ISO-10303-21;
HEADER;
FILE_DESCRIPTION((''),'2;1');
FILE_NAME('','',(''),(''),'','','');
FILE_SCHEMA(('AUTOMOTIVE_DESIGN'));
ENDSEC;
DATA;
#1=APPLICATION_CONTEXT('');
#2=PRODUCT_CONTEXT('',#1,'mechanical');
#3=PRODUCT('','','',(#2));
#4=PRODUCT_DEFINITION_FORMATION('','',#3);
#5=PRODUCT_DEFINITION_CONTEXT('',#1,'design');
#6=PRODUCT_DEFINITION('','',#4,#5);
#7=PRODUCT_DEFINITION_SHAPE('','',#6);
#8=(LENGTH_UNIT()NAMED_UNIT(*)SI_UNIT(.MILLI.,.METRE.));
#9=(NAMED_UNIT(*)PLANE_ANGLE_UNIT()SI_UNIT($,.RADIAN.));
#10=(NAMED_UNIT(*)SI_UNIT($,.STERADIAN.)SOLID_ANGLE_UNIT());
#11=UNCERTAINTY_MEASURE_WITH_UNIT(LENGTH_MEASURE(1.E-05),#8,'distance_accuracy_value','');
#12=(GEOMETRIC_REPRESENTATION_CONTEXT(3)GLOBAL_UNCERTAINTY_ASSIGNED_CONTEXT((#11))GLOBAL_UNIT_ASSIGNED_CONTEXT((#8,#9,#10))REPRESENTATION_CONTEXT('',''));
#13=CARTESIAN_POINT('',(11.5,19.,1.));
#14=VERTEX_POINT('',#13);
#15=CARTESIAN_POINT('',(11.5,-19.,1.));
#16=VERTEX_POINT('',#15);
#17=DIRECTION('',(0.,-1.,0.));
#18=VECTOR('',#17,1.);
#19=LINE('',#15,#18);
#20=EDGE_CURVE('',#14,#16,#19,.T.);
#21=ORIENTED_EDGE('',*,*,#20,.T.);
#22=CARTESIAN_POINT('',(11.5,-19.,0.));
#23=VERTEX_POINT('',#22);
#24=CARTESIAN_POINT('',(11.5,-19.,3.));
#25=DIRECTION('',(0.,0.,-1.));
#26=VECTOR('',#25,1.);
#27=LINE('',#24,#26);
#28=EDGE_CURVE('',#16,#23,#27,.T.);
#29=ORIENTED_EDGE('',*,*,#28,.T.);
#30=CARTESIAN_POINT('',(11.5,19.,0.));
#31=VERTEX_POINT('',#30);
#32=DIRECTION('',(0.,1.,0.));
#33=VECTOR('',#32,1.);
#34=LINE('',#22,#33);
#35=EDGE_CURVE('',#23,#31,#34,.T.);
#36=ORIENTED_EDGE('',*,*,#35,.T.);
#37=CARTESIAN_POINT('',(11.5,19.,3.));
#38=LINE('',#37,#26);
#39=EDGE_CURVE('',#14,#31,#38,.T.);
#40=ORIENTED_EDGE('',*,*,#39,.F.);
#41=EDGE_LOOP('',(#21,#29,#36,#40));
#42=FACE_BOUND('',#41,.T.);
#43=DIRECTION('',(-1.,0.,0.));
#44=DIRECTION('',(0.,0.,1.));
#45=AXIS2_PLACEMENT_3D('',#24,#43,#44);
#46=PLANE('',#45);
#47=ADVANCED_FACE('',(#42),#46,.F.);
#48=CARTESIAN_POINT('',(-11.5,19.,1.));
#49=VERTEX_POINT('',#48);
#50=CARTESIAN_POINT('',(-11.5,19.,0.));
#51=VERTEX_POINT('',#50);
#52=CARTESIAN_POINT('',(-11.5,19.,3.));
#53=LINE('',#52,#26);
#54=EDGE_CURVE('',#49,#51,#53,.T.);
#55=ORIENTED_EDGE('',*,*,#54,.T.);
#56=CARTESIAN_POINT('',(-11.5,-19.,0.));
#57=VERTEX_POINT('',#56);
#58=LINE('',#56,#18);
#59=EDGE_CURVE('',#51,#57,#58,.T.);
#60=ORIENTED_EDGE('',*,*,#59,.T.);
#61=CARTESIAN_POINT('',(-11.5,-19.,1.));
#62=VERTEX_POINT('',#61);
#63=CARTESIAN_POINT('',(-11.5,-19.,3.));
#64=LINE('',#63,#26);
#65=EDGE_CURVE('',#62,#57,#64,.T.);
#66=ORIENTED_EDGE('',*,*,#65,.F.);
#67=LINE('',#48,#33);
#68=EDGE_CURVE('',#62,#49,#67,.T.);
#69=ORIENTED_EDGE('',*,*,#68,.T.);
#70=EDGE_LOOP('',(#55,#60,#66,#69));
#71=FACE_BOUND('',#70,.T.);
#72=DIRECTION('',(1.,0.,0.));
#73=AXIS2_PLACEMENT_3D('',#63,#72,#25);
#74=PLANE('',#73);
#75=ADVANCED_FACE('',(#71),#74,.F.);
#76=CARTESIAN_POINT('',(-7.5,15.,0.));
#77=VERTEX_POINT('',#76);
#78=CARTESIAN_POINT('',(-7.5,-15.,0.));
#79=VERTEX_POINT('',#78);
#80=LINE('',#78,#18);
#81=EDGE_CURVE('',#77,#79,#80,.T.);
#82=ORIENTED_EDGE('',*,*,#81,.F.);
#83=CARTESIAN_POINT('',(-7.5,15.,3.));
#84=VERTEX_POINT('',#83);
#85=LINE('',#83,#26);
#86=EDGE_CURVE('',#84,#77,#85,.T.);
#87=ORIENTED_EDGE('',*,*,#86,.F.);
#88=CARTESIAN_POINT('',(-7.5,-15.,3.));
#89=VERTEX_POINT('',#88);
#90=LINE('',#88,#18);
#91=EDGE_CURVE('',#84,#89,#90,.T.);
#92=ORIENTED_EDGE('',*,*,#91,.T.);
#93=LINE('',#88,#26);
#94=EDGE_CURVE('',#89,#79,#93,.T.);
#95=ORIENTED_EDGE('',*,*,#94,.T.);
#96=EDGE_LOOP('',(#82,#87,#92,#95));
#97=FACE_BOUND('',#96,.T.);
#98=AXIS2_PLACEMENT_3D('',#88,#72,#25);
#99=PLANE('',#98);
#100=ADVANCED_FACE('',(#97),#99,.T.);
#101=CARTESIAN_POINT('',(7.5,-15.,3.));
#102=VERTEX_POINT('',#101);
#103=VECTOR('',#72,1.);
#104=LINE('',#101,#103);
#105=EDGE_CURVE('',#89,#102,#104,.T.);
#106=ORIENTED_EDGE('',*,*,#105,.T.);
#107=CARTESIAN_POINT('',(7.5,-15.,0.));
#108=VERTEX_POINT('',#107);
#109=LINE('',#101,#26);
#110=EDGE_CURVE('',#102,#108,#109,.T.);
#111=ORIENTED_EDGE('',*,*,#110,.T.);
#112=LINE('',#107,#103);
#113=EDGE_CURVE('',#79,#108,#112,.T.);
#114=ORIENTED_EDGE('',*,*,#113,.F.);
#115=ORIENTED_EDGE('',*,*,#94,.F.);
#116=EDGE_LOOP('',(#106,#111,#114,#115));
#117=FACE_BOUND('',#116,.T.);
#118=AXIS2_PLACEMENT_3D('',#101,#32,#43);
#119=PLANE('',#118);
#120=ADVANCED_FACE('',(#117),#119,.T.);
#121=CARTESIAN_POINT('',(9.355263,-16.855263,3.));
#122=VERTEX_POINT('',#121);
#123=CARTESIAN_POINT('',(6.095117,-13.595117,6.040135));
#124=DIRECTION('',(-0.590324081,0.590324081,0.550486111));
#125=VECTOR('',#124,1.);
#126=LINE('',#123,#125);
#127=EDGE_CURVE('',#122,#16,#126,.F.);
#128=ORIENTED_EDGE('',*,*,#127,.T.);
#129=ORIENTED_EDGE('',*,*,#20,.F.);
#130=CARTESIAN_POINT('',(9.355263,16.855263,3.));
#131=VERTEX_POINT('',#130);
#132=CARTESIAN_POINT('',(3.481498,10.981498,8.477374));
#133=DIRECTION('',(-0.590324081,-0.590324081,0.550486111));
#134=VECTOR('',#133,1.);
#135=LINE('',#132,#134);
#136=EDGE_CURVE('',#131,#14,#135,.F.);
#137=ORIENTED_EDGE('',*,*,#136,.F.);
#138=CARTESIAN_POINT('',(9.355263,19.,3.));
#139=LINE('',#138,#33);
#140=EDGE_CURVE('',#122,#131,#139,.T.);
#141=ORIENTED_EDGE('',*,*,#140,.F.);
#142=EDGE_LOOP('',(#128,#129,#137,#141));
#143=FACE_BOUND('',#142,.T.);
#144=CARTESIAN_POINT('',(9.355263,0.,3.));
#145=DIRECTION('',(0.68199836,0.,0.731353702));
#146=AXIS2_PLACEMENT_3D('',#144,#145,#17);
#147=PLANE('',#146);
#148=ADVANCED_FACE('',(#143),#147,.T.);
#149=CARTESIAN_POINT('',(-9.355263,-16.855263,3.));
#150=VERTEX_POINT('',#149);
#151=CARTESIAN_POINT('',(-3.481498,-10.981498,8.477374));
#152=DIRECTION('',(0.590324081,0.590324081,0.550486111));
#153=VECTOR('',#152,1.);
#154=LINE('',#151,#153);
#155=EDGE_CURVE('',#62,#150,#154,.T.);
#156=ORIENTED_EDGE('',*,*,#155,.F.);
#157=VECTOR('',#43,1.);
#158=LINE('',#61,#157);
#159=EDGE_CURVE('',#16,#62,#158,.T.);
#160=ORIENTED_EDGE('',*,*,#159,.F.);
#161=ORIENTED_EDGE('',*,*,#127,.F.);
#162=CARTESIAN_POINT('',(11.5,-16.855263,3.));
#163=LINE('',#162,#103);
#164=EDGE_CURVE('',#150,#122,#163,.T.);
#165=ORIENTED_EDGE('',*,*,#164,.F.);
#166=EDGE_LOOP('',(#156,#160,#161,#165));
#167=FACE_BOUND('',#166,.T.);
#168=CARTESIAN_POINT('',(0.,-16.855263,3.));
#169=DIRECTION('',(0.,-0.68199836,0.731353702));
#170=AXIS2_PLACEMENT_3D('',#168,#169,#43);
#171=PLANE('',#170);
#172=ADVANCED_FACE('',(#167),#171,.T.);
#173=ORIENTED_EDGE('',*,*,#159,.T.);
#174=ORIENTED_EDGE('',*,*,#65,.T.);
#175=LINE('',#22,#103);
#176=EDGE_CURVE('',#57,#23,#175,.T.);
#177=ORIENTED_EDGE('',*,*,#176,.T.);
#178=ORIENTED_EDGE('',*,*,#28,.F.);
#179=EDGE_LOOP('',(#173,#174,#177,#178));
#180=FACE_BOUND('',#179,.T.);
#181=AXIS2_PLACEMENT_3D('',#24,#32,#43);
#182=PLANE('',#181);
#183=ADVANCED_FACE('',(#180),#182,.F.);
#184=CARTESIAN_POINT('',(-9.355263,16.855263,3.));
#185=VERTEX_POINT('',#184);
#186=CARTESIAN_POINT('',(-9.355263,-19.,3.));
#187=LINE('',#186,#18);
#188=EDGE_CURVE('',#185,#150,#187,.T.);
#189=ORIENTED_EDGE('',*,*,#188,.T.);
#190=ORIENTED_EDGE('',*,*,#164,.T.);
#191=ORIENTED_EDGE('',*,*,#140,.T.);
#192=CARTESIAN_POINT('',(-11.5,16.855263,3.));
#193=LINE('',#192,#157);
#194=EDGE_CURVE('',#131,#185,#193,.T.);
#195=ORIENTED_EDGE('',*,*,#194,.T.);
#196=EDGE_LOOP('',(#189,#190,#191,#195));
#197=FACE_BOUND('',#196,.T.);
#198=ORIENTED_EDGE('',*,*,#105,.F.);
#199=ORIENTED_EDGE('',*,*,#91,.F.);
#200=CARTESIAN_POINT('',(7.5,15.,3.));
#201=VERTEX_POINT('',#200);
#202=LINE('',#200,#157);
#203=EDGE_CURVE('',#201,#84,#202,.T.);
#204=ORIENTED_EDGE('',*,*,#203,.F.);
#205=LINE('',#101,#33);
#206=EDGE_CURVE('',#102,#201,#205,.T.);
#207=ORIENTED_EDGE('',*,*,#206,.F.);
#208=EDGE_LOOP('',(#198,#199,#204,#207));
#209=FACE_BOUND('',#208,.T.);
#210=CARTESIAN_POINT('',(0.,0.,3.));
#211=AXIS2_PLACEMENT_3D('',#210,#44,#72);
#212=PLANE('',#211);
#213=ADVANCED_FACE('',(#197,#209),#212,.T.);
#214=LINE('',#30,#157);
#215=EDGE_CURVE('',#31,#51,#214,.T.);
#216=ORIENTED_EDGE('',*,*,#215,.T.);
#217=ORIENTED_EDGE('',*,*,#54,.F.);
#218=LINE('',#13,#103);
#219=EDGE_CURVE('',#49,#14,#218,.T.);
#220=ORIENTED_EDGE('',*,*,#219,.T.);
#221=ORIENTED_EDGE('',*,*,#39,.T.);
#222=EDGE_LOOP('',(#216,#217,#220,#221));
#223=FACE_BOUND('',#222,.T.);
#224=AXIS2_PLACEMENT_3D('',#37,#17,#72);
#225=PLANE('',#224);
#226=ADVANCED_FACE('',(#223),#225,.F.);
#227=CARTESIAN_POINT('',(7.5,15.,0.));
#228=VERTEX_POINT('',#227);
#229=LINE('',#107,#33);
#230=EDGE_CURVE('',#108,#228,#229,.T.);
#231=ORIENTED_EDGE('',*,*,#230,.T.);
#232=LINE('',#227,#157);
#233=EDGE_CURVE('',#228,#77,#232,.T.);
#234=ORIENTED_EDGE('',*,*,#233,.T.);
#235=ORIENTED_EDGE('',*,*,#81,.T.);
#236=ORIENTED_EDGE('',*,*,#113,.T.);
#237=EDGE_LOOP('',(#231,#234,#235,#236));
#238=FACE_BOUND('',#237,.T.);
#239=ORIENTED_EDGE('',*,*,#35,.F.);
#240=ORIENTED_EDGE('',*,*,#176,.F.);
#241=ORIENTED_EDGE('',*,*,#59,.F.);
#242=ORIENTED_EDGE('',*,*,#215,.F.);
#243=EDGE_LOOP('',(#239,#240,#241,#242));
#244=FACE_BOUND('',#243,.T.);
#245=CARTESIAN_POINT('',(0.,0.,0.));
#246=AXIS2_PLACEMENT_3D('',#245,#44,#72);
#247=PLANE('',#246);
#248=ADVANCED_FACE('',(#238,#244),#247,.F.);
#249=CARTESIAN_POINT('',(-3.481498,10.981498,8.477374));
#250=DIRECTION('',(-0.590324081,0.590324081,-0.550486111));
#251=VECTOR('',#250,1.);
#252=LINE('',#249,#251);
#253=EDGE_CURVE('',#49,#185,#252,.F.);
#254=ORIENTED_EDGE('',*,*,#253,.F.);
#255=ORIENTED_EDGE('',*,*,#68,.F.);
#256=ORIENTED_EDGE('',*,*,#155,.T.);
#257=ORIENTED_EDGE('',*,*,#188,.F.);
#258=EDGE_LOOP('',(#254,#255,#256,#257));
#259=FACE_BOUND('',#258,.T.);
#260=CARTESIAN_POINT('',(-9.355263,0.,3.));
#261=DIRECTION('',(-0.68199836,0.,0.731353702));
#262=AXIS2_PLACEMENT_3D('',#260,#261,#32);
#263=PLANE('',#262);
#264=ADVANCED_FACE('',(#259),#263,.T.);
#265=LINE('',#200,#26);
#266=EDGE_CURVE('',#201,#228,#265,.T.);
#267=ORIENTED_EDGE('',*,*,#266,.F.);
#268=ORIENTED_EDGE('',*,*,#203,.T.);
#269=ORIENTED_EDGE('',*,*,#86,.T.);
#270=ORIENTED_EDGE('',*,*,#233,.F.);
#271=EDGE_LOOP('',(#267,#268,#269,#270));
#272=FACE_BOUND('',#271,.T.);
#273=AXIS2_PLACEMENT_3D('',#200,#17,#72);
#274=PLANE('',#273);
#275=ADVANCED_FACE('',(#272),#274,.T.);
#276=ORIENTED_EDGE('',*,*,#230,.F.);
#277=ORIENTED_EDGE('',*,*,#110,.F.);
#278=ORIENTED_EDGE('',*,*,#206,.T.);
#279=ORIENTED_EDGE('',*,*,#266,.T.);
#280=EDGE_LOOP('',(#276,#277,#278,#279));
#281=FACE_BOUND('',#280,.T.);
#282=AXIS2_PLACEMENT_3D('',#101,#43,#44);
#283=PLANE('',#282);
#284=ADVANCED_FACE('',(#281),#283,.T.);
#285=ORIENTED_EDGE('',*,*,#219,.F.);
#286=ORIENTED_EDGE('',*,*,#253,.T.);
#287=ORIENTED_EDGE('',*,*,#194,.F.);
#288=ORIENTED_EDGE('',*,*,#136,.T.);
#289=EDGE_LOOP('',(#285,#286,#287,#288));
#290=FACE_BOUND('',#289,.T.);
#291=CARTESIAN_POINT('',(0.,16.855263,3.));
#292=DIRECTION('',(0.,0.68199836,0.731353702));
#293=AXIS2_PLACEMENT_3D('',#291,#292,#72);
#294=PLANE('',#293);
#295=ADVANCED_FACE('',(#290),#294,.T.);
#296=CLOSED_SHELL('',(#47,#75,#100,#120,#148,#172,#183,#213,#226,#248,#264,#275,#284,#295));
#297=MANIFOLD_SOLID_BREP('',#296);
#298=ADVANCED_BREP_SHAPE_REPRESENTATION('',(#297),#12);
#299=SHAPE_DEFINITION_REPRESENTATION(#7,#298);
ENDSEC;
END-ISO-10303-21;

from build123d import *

# Parameters (mm, degrees)
ESBO_O1_W                = 23
ESBO_O1_H                = 38
ESBO_O1_W_2              = 15
ESBO_O1_H_2              = 30
RESSALTO_EXTRUS_O1_DEPTH = 3
CHANFRO1_SIZE            = 2
CHANFRO1_SIZE2           = 2.14473742
CHANFRO1_PART_2_SIZE     = 2
CHANFRO1_PART_2_SIZE2    = 2.14473742
CHANFRO1_PART_3_SIZE     = 2
CHANFRO1_PART_3_SIZE2    = 2.14473742
CHANFRO1_PART_4_SIZE     = 2
CHANFRO1_PART_4_SIZE2    = 2.14473742


with BuildPart() as part:
    # Esboço1 → Ressalto-extrusão1 (new body)
    with BuildSketch(Plane.XY):
        Rectangle(ESBO_O1_W, ESBO_O1_H)
        Rectangle(ESBO_O1_W_2, ESBO_O1_H_2, mode=Mode.SUBTRACT)
    extrude(amount=RESSALTO_EXTRUS_O1_DEPTH)

    # Chanfro1
    chanfro1_edges = [part.edges().sort_by_distance(p)[0] for p in [
        (11.5, 0, 3),
    ]]
    chanfro1_side = [part.faces().sort_by_distance(p)[0] for p in [
        (11.5, 0, 1.5),
    ]]
    chamfer(chanfro1_edges, length=CHANFRO1_SIZE, length2=CHANFRO1_SIZE2, reference=chanfro1_side[0])

    # Chanfro1 part 2
    chanfro1_part_2_edges = [part.edges().sort_by_distance(p)[0] for p in [
        (0, 19, 3),
    ]]
    chanfro1_part_2_side = [part.faces().sort_by_distance(p)[0] for p in [
        (0, 19, 1.5),
    ]]
    chamfer(chanfro1_part_2_edges, length=CHANFRO1_PART_2_SIZE, length2=CHANFRO1_PART_2_SIZE2, reference=chanfro1_part_2_side[0])

    # Chanfro1 part 3
    chanfro1_part_3_edges = [part.edges().sort_by_distance(p)[0] for p in [
        (-11.5, 0, 3),
    ]]
    chanfro1_part_3_side = [part.faces().sort_by_distance(p)[0] for p in [
        (-11.5, 0, 1.5),
    ]]
    chamfer(chanfro1_part_3_edges, length=CHANFRO1_PART_3_SIZE, length2=CHANFRO1_PART_3_SIZE2, reference=chanfro1_part_3_side[0])

    # Chanfro1 part 4
    chanfro1_part_4_edges = [part.edges().sort_by_distance(p)[0] for p in [
        (0, -19, 3),
    ]]
    chanfro1_part_4_side = [part.faces().sort_by_distance(p)[0] for p in [
        (0, -19, 1.5),
    ]]
    chamfer(chanfro1_part_4_edges, length=CHANFRO1_PART_4_SIZE, length2=CHANFRO1_PART_4_SIZE2, reference=chanfro1_part_4_side[0])


solid = part.part
